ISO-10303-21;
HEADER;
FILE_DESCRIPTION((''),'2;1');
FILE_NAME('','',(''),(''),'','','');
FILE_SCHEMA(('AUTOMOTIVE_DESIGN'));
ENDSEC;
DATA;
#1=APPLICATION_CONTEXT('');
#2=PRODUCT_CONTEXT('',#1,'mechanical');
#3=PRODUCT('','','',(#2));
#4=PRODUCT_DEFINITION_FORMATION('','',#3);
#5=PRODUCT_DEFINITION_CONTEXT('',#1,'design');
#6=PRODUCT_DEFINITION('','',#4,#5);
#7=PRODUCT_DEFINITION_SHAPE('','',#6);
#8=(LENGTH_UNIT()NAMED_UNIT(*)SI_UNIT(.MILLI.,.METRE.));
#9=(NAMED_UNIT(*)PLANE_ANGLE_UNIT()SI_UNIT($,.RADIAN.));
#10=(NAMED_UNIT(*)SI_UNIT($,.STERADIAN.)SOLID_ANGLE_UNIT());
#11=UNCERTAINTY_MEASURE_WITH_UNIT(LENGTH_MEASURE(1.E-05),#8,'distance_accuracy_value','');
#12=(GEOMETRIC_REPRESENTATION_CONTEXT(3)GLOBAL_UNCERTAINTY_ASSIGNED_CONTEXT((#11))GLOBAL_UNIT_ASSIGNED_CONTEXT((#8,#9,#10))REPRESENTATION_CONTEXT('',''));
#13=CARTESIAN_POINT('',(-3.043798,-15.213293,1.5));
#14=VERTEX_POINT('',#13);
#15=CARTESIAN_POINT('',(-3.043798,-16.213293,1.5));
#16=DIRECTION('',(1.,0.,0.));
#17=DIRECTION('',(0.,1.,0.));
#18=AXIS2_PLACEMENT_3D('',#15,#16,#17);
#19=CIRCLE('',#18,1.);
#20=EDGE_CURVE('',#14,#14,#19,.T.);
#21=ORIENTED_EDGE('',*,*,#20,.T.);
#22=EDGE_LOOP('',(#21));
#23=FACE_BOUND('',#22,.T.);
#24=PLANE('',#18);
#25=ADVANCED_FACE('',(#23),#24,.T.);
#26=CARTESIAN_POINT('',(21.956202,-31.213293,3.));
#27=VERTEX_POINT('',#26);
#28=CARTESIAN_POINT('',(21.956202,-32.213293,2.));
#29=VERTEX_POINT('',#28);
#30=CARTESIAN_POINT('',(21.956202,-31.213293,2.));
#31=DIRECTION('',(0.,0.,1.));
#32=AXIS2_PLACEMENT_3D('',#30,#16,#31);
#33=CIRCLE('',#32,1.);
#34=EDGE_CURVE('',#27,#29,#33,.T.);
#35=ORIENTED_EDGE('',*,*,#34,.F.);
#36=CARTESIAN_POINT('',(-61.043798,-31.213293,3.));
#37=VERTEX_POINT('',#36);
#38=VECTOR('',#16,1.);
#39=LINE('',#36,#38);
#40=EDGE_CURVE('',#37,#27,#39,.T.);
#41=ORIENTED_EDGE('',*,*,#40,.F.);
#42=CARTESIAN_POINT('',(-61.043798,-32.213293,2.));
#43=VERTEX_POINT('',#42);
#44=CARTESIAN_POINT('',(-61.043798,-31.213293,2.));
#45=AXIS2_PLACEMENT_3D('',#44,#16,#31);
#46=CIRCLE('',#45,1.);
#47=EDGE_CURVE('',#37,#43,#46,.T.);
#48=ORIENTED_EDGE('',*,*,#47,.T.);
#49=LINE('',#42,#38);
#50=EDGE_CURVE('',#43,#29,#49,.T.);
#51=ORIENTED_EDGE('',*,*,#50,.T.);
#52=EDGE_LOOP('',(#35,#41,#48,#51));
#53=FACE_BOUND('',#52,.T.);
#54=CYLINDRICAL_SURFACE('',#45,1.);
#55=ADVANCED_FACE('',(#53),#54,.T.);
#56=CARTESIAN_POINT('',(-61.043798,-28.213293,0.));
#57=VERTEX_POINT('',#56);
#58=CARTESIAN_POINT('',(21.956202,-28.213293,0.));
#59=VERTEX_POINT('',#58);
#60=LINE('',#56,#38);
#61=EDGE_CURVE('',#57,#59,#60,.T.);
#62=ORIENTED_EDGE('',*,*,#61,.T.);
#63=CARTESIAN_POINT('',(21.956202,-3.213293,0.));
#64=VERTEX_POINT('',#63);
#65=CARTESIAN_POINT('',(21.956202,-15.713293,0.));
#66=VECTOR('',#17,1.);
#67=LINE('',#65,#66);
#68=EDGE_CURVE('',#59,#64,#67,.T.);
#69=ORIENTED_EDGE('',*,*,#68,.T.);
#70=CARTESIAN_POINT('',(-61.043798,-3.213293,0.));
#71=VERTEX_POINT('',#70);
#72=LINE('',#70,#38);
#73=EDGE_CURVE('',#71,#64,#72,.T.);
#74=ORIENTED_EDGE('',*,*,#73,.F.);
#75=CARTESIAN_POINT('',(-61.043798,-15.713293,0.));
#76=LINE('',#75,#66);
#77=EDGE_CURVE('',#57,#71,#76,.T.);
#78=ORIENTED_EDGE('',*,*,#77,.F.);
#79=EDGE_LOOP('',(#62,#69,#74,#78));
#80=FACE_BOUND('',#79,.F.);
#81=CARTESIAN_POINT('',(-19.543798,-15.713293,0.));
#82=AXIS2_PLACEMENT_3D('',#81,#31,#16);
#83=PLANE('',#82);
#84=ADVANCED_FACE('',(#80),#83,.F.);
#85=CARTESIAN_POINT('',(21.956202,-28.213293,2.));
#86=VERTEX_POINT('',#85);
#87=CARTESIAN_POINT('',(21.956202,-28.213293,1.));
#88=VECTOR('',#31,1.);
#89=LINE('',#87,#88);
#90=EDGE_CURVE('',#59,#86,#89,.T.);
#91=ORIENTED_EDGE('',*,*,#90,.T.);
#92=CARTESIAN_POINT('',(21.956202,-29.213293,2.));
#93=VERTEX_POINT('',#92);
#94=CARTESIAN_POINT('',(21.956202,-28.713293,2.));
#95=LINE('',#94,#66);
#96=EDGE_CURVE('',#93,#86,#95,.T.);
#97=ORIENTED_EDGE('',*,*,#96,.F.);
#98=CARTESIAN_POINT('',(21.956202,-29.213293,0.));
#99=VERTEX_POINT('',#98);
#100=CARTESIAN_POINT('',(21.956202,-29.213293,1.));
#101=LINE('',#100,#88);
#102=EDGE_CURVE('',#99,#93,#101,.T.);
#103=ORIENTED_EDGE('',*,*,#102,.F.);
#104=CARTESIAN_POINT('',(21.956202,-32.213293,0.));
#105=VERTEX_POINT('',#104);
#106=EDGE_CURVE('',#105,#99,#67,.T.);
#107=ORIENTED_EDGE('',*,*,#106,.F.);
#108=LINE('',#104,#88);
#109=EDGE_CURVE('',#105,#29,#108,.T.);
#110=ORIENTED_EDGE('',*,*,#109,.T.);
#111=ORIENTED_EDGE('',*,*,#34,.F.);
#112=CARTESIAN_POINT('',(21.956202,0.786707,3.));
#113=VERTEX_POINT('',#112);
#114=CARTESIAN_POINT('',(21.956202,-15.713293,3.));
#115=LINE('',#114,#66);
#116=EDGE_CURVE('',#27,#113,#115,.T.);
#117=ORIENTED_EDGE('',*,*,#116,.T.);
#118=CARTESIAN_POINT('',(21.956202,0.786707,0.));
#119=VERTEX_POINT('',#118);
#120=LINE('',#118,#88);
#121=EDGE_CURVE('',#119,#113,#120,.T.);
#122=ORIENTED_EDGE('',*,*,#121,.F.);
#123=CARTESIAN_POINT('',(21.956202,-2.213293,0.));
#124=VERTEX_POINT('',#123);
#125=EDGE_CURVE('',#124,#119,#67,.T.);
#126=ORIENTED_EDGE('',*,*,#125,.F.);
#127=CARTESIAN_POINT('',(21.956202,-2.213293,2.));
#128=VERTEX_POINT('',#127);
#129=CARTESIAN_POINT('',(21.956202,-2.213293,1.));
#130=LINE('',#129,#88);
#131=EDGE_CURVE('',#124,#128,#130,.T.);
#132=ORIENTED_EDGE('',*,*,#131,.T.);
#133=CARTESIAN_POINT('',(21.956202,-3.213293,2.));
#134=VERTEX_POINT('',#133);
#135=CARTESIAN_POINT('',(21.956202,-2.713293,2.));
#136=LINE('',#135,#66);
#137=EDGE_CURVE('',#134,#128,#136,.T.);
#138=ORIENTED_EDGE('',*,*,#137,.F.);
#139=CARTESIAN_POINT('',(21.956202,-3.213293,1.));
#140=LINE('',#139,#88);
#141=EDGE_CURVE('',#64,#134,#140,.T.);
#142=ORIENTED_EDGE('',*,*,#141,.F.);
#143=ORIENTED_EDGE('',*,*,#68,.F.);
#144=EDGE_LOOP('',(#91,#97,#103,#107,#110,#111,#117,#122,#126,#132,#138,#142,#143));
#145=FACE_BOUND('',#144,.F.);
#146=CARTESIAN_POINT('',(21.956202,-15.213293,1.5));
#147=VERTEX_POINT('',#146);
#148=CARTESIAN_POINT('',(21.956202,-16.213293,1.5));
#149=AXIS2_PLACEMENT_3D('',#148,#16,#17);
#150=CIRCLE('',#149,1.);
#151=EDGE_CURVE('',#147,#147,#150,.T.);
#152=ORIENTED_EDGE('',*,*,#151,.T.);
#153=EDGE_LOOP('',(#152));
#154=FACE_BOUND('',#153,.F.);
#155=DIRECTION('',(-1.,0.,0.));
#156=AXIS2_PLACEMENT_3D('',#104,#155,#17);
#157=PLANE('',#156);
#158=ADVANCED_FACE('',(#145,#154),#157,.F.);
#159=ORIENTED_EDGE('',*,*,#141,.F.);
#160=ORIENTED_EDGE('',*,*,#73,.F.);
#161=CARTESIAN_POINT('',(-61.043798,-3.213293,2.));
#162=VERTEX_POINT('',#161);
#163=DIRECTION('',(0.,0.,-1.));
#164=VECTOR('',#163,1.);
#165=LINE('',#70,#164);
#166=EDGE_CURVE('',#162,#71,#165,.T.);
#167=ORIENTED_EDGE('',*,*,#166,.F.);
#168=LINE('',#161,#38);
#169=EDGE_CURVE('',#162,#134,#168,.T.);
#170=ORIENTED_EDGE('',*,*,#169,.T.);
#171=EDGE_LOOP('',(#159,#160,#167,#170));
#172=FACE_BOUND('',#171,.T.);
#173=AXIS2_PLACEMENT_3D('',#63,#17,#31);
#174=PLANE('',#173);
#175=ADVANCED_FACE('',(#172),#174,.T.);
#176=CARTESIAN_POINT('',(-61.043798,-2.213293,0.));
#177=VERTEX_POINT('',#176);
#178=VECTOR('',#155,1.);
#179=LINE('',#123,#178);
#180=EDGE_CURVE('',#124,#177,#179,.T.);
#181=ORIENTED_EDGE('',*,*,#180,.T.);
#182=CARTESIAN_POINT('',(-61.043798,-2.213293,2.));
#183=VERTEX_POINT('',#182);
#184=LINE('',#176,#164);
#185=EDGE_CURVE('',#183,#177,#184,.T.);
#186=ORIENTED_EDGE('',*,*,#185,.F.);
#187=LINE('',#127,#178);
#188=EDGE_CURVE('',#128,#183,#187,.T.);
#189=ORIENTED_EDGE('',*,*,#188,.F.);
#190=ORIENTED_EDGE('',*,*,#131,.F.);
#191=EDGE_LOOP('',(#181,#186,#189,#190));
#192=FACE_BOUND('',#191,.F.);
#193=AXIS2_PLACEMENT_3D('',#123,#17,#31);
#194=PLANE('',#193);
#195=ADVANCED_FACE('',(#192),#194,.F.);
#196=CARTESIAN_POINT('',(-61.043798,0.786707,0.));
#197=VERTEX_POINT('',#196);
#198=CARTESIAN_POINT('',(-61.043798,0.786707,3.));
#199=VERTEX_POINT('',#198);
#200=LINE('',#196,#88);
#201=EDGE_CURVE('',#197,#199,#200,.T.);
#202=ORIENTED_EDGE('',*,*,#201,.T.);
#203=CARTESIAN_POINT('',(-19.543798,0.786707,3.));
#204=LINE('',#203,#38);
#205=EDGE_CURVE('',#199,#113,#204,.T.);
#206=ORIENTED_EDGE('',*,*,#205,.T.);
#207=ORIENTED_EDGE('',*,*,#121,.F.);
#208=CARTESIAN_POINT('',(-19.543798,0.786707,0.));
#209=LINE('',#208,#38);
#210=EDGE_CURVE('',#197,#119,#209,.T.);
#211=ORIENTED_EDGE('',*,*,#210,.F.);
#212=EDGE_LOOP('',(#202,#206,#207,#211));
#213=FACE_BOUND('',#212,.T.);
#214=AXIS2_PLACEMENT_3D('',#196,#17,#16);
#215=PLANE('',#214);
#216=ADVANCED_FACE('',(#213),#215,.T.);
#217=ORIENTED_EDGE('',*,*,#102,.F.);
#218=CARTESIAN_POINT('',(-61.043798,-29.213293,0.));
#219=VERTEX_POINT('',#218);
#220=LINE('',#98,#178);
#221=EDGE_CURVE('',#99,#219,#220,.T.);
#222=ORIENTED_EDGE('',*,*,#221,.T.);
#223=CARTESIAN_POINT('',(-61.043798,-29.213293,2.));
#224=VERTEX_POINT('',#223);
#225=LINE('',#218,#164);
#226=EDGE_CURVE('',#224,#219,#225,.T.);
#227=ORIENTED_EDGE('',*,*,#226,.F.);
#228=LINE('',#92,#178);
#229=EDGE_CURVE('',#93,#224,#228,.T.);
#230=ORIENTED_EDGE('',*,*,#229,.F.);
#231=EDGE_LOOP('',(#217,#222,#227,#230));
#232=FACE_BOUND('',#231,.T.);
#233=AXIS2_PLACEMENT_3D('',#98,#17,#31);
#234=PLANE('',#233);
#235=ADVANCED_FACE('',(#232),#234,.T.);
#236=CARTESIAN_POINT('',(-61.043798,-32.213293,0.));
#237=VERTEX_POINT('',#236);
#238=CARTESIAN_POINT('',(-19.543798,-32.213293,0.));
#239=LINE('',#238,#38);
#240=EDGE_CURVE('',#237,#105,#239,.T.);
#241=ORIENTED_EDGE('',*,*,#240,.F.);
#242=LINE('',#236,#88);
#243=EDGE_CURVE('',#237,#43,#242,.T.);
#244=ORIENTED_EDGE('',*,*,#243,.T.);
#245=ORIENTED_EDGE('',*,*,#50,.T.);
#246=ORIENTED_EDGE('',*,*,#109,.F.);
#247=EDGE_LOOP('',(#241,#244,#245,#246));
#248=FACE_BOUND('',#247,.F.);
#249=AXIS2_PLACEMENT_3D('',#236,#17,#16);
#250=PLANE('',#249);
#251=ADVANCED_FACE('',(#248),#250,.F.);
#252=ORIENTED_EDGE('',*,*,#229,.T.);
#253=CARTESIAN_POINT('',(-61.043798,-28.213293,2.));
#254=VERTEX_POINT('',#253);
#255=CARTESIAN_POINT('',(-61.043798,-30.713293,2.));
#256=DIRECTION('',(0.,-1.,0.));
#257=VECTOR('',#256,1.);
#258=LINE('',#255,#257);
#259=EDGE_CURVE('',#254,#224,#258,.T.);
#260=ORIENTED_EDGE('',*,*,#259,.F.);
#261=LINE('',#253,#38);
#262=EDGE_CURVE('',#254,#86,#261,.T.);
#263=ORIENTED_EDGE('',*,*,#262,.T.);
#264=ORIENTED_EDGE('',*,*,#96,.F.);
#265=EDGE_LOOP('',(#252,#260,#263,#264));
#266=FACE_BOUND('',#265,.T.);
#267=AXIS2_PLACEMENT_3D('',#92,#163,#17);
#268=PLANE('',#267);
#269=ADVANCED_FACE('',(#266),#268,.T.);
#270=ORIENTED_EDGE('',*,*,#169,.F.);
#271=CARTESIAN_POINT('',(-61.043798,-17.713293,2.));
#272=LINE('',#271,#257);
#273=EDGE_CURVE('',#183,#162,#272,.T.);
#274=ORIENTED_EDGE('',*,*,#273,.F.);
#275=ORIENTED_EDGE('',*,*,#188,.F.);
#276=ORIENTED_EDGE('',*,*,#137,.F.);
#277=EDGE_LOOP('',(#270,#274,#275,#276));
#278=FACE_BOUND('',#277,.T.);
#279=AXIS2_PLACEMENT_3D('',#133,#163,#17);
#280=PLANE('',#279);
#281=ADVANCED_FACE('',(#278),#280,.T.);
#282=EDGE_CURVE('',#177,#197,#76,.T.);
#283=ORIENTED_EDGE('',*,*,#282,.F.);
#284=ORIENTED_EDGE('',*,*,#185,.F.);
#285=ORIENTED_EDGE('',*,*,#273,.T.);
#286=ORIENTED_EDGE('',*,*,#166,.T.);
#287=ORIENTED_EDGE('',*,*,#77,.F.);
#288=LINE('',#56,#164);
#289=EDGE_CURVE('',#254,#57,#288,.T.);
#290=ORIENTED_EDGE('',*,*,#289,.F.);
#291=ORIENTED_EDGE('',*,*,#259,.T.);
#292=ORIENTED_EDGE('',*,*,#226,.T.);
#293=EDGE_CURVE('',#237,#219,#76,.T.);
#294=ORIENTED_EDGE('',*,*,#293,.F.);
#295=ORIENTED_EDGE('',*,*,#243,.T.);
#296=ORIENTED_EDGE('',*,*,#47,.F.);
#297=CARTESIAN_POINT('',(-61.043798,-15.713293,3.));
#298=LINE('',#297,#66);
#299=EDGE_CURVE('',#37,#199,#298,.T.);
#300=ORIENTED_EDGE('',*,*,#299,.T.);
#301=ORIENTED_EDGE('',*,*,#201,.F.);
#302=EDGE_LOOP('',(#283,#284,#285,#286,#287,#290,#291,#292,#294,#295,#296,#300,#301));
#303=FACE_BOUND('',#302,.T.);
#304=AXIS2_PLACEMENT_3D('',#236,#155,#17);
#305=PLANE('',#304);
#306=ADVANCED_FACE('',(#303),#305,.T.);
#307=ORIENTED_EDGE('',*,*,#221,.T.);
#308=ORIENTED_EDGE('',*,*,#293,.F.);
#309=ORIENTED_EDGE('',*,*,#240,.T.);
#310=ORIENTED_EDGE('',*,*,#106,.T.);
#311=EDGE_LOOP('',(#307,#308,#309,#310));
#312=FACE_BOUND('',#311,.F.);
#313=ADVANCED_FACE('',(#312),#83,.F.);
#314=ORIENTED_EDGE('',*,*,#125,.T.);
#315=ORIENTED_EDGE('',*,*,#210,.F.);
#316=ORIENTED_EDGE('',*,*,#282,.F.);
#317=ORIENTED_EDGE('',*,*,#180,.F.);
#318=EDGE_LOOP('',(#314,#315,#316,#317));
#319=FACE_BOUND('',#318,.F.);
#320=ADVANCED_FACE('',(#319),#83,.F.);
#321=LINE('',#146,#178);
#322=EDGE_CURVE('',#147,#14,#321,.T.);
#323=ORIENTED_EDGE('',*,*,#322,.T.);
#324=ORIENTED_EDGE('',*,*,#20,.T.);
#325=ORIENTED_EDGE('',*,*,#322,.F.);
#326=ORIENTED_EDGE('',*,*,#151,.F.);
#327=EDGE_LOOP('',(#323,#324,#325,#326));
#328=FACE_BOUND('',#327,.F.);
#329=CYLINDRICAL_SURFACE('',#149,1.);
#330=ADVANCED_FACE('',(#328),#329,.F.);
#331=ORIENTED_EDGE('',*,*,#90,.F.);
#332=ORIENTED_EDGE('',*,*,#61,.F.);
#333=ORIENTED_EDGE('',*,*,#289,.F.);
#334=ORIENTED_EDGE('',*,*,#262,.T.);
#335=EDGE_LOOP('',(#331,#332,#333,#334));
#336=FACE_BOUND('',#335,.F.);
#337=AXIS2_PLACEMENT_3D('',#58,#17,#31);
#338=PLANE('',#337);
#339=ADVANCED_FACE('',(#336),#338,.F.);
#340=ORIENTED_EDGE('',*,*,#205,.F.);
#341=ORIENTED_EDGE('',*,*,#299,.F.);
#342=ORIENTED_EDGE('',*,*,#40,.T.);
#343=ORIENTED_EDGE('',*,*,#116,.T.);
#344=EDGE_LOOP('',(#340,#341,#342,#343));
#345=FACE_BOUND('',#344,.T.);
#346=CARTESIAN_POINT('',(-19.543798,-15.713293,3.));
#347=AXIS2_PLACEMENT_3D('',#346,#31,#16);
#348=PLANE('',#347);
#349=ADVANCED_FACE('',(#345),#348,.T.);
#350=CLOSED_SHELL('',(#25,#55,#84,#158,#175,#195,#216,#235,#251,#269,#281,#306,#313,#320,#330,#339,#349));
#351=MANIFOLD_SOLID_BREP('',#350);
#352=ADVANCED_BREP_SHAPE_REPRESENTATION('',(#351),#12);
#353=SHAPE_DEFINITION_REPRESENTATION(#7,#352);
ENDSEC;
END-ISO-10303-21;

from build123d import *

# Parameters (mm, degrees)
F0_W     = 83
F0_H     = 33
F1_DEPTH = 3
F2_W     = 1
F2_H     = 2
F3_DEPTH = 83.001
F4_W     = 2.98905
F4_H     = 25
F5_DEPTH = 2
F6_R     = 1
F7_DEPTH = 25
F8_R     = 1


with BuildPart() as f1:
    # F0 (on Top) → F1 (new body)
    with BuildSketch(Plane.XY):
        with Locations((-19.543798, -15.713293)):
            Rectangle(F0_W, F0_H)
    extrude(amount=F1_DEPTH)

    # F2 (on face) → F3 (cut, through all)
    with BuildSketch(Plane.YZ.offset(21.956202)):
        with Locations((-28.713293, 1)):
            Rectangle(F2_W, F2_H)
        with Locations((-2.713293, 1)):
            Rectangle(F2_W, F2_H)
    extrude(amount=-F3_DEPTH, mode=Mode.SUBTRACT)

    # F4 (on face) → F5 (join)
    with BuildSketch(Plane(origin=(0, 0, 0), x_dir=(1, 0, 0), z_dir=(0, 0, -1))):
        with Locations((-45.065695, 15.713293)):
            Rectangle(F4_W, F4_H)
    extrude(amount=-F5_DEPTH)

    # F6 (on face) → F7 (cut)
    with BuildSketch(Plane.YZ.offset(21.956202)):
        with Locations((-16.213293, 1.5)):
            Circle(F6_R)
    extrude(amount=-F7_DEPTH, mode=Mode.SUBTRACT)

    # F8
    f8_edges = [f1.edges().sort_by_distance(p)[0] for p in [
        (-19.543798, -32.213293, 3),
    ]]
    fillet(f8_edges, radius=F8_R)


solid = f1.part
